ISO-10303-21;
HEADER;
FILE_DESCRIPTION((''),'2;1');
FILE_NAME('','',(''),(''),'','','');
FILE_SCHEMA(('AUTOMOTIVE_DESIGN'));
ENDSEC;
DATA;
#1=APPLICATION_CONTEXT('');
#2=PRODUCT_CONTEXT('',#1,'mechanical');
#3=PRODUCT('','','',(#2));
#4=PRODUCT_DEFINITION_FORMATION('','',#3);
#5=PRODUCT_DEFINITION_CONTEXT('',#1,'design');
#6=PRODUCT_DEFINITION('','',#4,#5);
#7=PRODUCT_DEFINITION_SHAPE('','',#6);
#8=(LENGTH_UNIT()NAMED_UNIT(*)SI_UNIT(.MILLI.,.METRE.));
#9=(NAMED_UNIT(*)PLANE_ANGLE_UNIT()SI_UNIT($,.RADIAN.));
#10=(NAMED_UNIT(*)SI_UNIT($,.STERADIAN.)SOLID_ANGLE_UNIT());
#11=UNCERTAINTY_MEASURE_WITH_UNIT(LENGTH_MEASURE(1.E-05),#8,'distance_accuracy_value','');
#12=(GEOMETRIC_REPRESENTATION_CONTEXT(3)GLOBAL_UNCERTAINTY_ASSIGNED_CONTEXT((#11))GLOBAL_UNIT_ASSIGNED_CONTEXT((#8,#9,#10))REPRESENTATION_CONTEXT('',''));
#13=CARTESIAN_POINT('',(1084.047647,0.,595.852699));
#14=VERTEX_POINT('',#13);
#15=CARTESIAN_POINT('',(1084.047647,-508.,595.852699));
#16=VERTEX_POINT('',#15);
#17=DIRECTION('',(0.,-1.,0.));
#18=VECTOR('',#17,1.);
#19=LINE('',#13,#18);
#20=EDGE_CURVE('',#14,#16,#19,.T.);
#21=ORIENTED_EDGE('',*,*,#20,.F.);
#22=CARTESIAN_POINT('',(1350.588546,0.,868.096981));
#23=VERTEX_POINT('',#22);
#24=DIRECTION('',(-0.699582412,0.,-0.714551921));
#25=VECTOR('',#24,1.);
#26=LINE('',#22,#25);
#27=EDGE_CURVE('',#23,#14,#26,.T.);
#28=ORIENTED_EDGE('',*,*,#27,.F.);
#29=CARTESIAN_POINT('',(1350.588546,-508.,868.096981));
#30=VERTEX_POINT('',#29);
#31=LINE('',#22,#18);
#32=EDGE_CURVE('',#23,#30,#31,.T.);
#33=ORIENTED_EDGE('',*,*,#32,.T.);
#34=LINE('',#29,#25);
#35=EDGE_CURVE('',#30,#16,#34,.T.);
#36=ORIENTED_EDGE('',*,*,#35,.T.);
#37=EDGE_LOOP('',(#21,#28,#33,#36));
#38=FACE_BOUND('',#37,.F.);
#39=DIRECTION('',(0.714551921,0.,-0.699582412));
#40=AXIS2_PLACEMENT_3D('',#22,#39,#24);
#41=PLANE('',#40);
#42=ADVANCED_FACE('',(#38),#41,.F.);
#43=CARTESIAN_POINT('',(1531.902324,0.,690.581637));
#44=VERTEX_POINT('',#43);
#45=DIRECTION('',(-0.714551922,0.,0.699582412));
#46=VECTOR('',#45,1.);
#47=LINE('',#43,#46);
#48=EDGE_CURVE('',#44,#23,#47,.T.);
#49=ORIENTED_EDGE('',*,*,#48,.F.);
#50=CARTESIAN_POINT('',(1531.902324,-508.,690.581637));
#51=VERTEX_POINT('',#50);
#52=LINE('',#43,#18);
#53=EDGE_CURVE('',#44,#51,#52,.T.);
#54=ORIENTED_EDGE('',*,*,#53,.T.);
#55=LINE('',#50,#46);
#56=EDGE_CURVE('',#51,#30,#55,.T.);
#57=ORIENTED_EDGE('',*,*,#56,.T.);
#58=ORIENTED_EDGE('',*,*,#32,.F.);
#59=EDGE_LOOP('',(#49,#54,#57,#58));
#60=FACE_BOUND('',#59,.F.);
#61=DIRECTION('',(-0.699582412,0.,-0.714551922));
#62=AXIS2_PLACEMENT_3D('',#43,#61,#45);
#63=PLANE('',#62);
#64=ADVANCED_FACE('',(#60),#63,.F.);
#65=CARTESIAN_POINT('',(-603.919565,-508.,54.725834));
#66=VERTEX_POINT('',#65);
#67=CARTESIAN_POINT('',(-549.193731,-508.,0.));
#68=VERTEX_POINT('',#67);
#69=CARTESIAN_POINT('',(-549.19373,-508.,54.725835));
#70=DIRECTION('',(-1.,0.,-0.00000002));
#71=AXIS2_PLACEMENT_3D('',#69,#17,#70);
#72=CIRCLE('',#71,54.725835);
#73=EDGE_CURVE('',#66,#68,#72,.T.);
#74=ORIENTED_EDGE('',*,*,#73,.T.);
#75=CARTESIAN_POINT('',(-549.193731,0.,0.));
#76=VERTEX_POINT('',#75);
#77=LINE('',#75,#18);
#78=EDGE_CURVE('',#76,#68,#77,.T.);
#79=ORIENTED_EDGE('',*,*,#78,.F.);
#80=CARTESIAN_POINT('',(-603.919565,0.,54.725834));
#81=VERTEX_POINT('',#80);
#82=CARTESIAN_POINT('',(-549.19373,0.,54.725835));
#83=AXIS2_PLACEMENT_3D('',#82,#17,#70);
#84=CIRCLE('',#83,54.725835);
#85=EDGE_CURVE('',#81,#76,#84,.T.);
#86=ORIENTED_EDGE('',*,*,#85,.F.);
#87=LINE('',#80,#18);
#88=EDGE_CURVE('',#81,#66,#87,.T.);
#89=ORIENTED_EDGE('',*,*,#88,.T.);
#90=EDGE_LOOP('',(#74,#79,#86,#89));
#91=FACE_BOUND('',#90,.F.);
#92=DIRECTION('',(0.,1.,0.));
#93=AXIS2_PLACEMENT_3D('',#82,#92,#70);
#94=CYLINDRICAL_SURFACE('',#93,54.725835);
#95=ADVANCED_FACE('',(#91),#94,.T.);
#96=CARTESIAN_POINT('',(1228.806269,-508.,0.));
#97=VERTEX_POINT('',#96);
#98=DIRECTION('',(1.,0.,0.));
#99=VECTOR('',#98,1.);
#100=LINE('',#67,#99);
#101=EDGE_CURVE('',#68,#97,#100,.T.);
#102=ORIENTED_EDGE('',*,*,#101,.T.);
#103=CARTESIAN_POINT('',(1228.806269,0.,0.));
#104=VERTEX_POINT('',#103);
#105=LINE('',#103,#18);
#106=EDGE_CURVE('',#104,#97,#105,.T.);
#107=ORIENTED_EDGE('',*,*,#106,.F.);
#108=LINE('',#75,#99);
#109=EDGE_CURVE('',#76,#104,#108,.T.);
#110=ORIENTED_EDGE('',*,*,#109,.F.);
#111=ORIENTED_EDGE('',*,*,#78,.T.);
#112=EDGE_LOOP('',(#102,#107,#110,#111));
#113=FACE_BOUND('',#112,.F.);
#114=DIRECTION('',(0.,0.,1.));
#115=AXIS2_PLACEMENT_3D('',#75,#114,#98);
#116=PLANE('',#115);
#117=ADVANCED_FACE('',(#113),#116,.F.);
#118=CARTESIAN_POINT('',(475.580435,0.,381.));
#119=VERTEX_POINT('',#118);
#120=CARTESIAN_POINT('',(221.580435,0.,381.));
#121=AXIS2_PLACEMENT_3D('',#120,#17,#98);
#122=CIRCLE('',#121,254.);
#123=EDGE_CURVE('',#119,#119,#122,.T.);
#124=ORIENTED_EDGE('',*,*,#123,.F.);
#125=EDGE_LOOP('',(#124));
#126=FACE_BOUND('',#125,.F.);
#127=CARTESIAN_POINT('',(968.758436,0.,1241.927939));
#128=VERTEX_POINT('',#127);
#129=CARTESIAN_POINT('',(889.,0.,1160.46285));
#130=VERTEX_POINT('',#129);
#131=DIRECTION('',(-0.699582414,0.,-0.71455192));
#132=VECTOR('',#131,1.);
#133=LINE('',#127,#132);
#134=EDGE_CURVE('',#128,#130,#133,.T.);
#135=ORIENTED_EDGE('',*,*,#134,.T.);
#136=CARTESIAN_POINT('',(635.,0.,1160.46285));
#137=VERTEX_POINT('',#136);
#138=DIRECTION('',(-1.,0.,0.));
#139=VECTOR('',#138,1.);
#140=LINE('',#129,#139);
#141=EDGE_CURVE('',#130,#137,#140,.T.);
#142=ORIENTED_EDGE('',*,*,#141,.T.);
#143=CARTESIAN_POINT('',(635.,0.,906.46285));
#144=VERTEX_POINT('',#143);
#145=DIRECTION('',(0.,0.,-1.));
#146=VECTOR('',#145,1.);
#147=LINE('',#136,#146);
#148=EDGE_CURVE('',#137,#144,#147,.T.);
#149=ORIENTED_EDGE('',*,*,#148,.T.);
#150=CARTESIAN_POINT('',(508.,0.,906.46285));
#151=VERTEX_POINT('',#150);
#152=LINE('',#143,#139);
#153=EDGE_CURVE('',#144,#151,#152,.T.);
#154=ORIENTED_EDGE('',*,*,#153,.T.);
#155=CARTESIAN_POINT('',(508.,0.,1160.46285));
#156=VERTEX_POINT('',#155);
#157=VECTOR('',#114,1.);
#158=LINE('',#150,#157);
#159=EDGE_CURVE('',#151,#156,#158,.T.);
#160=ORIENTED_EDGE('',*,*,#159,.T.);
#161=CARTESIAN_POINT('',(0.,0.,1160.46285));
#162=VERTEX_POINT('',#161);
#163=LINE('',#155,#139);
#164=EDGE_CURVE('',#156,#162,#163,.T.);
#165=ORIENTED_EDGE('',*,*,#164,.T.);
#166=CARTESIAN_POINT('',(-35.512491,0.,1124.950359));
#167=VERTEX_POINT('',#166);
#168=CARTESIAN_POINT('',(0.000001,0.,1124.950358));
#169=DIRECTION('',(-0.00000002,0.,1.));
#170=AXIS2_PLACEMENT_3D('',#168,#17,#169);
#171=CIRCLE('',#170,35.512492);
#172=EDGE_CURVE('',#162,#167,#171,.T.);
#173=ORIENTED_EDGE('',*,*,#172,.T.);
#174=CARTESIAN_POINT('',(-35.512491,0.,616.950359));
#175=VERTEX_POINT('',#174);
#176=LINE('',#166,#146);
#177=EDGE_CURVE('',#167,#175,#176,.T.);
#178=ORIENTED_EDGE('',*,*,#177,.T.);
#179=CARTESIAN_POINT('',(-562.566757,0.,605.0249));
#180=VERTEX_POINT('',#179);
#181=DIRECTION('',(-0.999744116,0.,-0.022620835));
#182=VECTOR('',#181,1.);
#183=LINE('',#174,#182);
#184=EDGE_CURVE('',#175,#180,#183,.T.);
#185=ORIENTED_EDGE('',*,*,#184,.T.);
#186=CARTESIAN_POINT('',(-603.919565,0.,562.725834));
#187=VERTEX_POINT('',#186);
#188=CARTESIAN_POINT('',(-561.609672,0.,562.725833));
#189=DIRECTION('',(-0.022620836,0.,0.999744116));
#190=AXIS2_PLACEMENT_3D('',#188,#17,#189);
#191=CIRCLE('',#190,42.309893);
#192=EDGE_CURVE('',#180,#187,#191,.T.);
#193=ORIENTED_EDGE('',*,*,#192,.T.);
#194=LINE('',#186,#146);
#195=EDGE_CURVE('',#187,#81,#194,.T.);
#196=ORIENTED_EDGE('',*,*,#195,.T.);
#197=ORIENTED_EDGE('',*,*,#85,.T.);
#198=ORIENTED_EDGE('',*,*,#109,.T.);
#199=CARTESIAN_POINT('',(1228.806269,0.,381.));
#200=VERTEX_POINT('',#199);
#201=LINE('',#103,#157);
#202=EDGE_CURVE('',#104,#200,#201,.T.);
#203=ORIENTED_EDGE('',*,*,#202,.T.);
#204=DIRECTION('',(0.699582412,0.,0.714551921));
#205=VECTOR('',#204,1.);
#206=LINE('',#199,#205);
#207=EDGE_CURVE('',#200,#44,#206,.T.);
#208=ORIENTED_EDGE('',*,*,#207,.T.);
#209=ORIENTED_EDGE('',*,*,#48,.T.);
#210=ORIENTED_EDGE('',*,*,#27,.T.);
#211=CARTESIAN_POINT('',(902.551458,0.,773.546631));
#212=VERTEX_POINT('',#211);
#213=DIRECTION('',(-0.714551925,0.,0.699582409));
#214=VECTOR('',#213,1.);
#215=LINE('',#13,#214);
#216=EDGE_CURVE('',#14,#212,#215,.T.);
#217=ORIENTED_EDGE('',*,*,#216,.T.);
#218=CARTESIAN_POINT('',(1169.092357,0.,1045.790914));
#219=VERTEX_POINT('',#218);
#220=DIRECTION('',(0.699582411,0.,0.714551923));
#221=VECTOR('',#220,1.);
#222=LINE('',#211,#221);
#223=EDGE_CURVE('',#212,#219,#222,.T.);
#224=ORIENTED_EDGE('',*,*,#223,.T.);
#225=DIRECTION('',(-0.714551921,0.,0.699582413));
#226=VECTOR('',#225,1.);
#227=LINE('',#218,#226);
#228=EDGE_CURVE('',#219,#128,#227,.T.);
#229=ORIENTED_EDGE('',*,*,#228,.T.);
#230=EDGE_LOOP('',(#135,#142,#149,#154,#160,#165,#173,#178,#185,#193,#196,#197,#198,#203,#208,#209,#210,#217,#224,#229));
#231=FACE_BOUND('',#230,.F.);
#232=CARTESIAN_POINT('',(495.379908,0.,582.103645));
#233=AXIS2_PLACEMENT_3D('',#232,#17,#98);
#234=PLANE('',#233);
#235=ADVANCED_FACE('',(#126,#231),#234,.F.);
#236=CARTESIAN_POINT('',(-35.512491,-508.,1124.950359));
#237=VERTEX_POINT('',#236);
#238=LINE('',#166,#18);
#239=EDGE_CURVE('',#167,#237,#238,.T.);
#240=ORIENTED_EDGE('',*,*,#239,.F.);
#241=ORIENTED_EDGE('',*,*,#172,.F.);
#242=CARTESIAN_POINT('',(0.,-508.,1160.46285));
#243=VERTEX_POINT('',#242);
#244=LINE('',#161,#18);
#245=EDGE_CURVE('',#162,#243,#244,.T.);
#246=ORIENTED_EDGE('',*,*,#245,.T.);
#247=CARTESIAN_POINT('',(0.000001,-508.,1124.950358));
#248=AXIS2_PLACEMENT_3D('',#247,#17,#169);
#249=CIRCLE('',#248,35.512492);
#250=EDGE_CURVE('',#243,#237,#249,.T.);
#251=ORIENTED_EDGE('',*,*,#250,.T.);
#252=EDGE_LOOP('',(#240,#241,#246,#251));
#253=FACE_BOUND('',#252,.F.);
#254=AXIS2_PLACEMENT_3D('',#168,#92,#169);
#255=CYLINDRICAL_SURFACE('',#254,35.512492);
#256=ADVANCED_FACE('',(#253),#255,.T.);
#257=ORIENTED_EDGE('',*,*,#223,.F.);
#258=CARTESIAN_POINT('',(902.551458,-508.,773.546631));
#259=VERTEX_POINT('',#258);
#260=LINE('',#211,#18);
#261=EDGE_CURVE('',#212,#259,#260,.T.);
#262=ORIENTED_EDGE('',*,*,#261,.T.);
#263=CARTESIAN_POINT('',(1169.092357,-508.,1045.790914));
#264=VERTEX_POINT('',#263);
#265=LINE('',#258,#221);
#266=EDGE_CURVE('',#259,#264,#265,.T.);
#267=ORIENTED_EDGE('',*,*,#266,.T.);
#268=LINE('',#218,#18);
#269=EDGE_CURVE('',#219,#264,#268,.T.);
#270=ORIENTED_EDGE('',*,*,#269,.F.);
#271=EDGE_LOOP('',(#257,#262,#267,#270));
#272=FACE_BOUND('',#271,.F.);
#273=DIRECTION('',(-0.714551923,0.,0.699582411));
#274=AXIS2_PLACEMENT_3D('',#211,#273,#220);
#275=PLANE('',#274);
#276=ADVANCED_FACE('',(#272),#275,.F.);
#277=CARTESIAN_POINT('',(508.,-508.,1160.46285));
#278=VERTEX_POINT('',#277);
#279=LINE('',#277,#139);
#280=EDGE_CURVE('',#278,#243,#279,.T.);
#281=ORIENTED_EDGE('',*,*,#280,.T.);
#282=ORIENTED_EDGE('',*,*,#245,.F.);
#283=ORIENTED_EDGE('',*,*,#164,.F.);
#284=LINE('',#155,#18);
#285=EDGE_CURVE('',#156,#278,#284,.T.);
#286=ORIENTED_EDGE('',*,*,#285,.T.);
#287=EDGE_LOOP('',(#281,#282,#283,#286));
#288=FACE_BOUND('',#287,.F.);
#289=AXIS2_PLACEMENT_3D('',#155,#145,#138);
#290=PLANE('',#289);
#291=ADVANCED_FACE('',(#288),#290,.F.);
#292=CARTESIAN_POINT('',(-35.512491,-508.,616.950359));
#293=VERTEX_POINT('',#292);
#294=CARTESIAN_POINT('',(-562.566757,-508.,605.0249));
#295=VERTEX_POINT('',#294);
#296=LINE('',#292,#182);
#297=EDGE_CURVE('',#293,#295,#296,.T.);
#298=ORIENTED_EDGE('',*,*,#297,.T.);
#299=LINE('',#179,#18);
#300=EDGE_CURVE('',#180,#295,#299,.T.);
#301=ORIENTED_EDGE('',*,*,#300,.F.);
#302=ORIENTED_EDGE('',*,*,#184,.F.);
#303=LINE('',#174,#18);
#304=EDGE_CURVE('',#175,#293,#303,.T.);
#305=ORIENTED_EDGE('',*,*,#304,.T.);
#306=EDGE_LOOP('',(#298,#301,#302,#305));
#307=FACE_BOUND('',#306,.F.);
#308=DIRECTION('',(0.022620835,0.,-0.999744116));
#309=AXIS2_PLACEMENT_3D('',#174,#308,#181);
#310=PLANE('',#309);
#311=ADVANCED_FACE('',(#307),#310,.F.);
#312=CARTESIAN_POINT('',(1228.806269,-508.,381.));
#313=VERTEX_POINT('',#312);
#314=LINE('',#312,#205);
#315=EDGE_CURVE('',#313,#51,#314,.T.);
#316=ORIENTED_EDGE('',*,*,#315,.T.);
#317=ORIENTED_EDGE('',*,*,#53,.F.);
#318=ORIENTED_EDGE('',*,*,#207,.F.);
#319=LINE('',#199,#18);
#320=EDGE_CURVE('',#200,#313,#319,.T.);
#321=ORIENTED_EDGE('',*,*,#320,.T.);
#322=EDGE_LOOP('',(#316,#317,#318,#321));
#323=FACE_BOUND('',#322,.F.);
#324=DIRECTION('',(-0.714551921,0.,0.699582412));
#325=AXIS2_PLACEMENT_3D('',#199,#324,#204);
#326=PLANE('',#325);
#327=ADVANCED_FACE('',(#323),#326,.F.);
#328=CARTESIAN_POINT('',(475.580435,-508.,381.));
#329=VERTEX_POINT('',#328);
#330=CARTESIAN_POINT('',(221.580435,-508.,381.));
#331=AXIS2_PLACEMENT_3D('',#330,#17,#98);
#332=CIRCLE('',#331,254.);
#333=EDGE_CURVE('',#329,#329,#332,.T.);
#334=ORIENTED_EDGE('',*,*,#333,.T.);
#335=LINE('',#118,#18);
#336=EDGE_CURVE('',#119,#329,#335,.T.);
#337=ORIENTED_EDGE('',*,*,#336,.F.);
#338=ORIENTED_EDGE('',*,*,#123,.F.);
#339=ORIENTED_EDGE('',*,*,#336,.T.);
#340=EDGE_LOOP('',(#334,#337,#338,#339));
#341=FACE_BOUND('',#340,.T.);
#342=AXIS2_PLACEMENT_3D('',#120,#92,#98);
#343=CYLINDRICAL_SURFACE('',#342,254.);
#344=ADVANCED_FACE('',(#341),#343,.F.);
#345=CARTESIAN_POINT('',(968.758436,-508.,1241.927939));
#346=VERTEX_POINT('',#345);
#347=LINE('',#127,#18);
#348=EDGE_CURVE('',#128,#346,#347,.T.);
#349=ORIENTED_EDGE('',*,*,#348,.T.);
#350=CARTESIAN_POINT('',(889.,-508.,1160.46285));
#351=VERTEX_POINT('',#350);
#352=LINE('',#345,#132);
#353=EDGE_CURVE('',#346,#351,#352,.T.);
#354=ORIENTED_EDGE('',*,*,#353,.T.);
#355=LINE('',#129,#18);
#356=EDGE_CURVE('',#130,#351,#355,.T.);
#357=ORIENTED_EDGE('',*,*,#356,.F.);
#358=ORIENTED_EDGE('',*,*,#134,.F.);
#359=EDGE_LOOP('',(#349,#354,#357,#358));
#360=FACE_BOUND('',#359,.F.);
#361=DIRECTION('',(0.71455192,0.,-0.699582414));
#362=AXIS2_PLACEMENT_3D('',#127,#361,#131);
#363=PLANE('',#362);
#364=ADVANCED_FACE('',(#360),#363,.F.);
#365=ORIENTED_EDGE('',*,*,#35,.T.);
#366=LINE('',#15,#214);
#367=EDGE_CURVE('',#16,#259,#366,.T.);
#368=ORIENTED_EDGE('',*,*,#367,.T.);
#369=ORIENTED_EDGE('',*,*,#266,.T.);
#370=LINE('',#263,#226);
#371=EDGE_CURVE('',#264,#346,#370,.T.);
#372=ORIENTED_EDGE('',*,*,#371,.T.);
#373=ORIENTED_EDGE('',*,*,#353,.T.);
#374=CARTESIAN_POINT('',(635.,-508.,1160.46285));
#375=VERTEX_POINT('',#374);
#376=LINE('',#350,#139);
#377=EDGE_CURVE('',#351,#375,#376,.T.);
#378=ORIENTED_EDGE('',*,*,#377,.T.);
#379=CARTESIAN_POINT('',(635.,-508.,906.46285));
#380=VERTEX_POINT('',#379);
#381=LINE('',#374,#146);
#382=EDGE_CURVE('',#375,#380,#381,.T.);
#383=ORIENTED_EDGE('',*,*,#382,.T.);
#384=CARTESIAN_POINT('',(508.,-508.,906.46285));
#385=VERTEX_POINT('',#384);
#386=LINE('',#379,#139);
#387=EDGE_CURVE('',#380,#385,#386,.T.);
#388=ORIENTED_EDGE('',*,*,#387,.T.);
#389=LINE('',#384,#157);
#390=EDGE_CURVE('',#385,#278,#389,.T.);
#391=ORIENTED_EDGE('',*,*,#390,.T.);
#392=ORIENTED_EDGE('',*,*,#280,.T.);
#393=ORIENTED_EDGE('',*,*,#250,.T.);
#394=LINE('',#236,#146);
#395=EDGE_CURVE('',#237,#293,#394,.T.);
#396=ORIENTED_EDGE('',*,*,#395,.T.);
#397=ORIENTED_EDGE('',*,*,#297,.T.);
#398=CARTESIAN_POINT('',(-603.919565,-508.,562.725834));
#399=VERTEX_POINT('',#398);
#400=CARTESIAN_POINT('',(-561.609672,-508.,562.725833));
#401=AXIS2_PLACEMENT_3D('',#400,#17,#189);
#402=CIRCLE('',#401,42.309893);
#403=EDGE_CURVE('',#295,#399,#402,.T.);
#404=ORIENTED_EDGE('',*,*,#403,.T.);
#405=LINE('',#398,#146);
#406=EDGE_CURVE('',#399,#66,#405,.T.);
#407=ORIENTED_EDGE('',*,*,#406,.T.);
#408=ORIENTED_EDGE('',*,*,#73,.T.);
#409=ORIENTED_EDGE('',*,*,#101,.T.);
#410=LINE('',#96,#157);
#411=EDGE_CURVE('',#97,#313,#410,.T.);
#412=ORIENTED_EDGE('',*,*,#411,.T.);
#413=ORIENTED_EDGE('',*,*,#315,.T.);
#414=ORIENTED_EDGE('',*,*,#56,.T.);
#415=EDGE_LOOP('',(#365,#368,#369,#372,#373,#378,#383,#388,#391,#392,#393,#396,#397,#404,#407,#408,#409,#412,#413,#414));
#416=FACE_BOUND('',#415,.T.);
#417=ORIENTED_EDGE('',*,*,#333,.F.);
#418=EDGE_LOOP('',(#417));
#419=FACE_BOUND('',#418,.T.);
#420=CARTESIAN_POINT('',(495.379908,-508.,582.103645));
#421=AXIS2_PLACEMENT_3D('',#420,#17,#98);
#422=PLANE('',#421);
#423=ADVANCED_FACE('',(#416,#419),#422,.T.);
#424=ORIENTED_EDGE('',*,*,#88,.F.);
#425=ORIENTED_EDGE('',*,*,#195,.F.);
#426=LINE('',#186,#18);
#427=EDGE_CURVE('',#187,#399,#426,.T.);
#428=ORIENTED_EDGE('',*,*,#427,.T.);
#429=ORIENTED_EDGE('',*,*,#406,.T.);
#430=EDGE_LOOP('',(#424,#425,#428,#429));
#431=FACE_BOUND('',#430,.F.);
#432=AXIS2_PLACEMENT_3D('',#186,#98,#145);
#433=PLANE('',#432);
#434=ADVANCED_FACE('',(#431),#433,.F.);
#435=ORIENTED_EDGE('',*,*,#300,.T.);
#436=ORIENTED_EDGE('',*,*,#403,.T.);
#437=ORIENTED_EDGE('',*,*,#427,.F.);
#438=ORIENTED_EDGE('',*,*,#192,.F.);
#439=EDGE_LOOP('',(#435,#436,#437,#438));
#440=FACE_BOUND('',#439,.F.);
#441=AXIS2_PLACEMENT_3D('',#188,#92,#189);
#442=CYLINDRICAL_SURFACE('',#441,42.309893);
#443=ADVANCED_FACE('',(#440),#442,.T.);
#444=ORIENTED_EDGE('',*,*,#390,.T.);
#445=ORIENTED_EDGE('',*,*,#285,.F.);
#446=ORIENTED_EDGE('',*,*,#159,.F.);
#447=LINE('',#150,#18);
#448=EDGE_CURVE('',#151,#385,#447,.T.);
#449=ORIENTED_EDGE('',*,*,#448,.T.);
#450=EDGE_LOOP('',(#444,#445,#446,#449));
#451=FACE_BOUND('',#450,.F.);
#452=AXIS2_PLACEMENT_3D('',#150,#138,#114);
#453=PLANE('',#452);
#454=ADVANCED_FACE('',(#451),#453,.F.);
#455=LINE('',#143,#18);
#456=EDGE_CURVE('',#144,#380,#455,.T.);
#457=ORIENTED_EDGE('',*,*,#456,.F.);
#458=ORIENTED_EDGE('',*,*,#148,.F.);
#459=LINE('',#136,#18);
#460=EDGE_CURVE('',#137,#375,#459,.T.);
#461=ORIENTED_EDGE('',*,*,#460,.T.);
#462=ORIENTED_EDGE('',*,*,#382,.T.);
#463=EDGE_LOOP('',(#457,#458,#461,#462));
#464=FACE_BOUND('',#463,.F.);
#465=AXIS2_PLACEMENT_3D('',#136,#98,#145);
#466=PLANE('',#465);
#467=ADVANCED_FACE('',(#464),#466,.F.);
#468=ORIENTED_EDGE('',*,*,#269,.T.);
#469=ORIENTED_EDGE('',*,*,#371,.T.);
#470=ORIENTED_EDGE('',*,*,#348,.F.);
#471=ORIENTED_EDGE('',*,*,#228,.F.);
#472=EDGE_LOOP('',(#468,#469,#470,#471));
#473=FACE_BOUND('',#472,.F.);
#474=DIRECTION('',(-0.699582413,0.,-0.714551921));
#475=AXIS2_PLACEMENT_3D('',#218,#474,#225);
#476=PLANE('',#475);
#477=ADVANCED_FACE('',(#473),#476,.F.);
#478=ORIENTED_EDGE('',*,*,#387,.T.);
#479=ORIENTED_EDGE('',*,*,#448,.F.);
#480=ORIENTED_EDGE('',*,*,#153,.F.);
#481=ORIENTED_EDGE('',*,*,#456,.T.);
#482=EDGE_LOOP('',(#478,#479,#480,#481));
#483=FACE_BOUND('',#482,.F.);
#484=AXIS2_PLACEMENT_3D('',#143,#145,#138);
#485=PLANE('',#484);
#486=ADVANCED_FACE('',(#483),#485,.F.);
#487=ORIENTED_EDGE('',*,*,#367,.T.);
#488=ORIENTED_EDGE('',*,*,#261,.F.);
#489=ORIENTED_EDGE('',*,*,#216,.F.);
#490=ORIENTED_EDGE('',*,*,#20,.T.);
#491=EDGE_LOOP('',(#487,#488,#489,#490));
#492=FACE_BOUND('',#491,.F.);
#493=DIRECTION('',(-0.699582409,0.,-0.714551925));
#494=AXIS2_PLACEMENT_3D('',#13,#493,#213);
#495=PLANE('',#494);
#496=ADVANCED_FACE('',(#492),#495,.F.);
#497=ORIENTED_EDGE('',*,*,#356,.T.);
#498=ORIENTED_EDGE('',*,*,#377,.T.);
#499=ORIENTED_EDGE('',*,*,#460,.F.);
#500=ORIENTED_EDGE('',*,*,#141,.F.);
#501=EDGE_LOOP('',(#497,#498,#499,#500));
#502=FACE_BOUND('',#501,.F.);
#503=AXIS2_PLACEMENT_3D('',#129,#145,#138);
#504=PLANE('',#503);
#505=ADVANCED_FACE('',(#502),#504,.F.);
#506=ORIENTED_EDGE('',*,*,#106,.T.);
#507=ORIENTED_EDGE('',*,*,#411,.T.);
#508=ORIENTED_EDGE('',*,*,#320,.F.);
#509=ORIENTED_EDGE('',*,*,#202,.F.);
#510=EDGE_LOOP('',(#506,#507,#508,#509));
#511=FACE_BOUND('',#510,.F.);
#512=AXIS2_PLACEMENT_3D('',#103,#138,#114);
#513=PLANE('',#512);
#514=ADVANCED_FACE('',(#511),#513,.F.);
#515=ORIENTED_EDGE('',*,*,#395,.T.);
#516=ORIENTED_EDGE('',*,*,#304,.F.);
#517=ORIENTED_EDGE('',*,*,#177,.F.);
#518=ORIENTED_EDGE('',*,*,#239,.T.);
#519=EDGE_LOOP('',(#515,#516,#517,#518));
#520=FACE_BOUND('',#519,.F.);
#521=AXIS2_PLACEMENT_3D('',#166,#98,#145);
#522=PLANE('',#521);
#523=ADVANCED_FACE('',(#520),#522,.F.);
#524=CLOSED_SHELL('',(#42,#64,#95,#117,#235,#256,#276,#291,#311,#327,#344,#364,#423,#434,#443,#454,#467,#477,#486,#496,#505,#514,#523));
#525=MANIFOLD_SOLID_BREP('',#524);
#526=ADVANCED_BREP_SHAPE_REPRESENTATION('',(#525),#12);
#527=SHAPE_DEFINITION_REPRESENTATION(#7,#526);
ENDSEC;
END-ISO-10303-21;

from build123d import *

# Parameters (mm, degrees)
F0_R     = 254
F1_DEPTH = 508


with BuildPart() as f1:
    # F0 (on Front) → F1 (new body)
    with BuildSketch(Plane.XZ):
        with BuildLine():
            ThreePointArc((-603.919565, 54.725834), (-587.890739, 16.028826), (-549.193731, 0))
            Line((-549.193731, 0), (1228.806269, 0))
            Line((1228.806269, 0), (1228.806269, 381))
            Line((1228.806269, 381), (1531.902324, 690.581637))
            Line((1531.902324, 690.581637), (1350.588546, 868.096981))
            Line((1350.588546, 868.096981), (1084.047647, 595.852699))
            Line((1084.047647, 595.852699), (902.551458, 773.546631))
            Line((902.551458, 773.546631), (1169.092357, 1045.790914))
            Line((1169.092357, 1045.790914), (968.758436, 1241.927939))
            Line((968.758436, 1241.927939), (889, 1160.46285))
            Line((889, 1160.46285), (635, 1160.46285))
            Line((635, 1160.46285), (635, 906.46285))
            Line((635, 906.46285), (508, 906.46285))
            Line((508, 906.46285), (508, 1160.46285))
            Line((508, 1160.46285), (0, 1160.46285))
            ThreePointArc((0, 1160.46285), (-25.111123, 1150.061482), (-35.512491, 1124.950359))
            Line((-35.512491, 1124.950359), (-35.512491, 616.950359))
            Line((-35.512491, 616.950359), (-562.566757, 605.0249))
            ThreePointArc((-562.566757, 605.0249), (-591.863772, 592.30313), (-603.919565, 562.725834))
            Line((-603.919565, 562.725834), (-603.919565, 54.725834))
        make_face()
        with Locations((221.580435, 381)):
            Circle(F0_R, mode=Mode.SUBTRACT)
    extrude(amount=F1_DEPTH)


solid = f1.part
